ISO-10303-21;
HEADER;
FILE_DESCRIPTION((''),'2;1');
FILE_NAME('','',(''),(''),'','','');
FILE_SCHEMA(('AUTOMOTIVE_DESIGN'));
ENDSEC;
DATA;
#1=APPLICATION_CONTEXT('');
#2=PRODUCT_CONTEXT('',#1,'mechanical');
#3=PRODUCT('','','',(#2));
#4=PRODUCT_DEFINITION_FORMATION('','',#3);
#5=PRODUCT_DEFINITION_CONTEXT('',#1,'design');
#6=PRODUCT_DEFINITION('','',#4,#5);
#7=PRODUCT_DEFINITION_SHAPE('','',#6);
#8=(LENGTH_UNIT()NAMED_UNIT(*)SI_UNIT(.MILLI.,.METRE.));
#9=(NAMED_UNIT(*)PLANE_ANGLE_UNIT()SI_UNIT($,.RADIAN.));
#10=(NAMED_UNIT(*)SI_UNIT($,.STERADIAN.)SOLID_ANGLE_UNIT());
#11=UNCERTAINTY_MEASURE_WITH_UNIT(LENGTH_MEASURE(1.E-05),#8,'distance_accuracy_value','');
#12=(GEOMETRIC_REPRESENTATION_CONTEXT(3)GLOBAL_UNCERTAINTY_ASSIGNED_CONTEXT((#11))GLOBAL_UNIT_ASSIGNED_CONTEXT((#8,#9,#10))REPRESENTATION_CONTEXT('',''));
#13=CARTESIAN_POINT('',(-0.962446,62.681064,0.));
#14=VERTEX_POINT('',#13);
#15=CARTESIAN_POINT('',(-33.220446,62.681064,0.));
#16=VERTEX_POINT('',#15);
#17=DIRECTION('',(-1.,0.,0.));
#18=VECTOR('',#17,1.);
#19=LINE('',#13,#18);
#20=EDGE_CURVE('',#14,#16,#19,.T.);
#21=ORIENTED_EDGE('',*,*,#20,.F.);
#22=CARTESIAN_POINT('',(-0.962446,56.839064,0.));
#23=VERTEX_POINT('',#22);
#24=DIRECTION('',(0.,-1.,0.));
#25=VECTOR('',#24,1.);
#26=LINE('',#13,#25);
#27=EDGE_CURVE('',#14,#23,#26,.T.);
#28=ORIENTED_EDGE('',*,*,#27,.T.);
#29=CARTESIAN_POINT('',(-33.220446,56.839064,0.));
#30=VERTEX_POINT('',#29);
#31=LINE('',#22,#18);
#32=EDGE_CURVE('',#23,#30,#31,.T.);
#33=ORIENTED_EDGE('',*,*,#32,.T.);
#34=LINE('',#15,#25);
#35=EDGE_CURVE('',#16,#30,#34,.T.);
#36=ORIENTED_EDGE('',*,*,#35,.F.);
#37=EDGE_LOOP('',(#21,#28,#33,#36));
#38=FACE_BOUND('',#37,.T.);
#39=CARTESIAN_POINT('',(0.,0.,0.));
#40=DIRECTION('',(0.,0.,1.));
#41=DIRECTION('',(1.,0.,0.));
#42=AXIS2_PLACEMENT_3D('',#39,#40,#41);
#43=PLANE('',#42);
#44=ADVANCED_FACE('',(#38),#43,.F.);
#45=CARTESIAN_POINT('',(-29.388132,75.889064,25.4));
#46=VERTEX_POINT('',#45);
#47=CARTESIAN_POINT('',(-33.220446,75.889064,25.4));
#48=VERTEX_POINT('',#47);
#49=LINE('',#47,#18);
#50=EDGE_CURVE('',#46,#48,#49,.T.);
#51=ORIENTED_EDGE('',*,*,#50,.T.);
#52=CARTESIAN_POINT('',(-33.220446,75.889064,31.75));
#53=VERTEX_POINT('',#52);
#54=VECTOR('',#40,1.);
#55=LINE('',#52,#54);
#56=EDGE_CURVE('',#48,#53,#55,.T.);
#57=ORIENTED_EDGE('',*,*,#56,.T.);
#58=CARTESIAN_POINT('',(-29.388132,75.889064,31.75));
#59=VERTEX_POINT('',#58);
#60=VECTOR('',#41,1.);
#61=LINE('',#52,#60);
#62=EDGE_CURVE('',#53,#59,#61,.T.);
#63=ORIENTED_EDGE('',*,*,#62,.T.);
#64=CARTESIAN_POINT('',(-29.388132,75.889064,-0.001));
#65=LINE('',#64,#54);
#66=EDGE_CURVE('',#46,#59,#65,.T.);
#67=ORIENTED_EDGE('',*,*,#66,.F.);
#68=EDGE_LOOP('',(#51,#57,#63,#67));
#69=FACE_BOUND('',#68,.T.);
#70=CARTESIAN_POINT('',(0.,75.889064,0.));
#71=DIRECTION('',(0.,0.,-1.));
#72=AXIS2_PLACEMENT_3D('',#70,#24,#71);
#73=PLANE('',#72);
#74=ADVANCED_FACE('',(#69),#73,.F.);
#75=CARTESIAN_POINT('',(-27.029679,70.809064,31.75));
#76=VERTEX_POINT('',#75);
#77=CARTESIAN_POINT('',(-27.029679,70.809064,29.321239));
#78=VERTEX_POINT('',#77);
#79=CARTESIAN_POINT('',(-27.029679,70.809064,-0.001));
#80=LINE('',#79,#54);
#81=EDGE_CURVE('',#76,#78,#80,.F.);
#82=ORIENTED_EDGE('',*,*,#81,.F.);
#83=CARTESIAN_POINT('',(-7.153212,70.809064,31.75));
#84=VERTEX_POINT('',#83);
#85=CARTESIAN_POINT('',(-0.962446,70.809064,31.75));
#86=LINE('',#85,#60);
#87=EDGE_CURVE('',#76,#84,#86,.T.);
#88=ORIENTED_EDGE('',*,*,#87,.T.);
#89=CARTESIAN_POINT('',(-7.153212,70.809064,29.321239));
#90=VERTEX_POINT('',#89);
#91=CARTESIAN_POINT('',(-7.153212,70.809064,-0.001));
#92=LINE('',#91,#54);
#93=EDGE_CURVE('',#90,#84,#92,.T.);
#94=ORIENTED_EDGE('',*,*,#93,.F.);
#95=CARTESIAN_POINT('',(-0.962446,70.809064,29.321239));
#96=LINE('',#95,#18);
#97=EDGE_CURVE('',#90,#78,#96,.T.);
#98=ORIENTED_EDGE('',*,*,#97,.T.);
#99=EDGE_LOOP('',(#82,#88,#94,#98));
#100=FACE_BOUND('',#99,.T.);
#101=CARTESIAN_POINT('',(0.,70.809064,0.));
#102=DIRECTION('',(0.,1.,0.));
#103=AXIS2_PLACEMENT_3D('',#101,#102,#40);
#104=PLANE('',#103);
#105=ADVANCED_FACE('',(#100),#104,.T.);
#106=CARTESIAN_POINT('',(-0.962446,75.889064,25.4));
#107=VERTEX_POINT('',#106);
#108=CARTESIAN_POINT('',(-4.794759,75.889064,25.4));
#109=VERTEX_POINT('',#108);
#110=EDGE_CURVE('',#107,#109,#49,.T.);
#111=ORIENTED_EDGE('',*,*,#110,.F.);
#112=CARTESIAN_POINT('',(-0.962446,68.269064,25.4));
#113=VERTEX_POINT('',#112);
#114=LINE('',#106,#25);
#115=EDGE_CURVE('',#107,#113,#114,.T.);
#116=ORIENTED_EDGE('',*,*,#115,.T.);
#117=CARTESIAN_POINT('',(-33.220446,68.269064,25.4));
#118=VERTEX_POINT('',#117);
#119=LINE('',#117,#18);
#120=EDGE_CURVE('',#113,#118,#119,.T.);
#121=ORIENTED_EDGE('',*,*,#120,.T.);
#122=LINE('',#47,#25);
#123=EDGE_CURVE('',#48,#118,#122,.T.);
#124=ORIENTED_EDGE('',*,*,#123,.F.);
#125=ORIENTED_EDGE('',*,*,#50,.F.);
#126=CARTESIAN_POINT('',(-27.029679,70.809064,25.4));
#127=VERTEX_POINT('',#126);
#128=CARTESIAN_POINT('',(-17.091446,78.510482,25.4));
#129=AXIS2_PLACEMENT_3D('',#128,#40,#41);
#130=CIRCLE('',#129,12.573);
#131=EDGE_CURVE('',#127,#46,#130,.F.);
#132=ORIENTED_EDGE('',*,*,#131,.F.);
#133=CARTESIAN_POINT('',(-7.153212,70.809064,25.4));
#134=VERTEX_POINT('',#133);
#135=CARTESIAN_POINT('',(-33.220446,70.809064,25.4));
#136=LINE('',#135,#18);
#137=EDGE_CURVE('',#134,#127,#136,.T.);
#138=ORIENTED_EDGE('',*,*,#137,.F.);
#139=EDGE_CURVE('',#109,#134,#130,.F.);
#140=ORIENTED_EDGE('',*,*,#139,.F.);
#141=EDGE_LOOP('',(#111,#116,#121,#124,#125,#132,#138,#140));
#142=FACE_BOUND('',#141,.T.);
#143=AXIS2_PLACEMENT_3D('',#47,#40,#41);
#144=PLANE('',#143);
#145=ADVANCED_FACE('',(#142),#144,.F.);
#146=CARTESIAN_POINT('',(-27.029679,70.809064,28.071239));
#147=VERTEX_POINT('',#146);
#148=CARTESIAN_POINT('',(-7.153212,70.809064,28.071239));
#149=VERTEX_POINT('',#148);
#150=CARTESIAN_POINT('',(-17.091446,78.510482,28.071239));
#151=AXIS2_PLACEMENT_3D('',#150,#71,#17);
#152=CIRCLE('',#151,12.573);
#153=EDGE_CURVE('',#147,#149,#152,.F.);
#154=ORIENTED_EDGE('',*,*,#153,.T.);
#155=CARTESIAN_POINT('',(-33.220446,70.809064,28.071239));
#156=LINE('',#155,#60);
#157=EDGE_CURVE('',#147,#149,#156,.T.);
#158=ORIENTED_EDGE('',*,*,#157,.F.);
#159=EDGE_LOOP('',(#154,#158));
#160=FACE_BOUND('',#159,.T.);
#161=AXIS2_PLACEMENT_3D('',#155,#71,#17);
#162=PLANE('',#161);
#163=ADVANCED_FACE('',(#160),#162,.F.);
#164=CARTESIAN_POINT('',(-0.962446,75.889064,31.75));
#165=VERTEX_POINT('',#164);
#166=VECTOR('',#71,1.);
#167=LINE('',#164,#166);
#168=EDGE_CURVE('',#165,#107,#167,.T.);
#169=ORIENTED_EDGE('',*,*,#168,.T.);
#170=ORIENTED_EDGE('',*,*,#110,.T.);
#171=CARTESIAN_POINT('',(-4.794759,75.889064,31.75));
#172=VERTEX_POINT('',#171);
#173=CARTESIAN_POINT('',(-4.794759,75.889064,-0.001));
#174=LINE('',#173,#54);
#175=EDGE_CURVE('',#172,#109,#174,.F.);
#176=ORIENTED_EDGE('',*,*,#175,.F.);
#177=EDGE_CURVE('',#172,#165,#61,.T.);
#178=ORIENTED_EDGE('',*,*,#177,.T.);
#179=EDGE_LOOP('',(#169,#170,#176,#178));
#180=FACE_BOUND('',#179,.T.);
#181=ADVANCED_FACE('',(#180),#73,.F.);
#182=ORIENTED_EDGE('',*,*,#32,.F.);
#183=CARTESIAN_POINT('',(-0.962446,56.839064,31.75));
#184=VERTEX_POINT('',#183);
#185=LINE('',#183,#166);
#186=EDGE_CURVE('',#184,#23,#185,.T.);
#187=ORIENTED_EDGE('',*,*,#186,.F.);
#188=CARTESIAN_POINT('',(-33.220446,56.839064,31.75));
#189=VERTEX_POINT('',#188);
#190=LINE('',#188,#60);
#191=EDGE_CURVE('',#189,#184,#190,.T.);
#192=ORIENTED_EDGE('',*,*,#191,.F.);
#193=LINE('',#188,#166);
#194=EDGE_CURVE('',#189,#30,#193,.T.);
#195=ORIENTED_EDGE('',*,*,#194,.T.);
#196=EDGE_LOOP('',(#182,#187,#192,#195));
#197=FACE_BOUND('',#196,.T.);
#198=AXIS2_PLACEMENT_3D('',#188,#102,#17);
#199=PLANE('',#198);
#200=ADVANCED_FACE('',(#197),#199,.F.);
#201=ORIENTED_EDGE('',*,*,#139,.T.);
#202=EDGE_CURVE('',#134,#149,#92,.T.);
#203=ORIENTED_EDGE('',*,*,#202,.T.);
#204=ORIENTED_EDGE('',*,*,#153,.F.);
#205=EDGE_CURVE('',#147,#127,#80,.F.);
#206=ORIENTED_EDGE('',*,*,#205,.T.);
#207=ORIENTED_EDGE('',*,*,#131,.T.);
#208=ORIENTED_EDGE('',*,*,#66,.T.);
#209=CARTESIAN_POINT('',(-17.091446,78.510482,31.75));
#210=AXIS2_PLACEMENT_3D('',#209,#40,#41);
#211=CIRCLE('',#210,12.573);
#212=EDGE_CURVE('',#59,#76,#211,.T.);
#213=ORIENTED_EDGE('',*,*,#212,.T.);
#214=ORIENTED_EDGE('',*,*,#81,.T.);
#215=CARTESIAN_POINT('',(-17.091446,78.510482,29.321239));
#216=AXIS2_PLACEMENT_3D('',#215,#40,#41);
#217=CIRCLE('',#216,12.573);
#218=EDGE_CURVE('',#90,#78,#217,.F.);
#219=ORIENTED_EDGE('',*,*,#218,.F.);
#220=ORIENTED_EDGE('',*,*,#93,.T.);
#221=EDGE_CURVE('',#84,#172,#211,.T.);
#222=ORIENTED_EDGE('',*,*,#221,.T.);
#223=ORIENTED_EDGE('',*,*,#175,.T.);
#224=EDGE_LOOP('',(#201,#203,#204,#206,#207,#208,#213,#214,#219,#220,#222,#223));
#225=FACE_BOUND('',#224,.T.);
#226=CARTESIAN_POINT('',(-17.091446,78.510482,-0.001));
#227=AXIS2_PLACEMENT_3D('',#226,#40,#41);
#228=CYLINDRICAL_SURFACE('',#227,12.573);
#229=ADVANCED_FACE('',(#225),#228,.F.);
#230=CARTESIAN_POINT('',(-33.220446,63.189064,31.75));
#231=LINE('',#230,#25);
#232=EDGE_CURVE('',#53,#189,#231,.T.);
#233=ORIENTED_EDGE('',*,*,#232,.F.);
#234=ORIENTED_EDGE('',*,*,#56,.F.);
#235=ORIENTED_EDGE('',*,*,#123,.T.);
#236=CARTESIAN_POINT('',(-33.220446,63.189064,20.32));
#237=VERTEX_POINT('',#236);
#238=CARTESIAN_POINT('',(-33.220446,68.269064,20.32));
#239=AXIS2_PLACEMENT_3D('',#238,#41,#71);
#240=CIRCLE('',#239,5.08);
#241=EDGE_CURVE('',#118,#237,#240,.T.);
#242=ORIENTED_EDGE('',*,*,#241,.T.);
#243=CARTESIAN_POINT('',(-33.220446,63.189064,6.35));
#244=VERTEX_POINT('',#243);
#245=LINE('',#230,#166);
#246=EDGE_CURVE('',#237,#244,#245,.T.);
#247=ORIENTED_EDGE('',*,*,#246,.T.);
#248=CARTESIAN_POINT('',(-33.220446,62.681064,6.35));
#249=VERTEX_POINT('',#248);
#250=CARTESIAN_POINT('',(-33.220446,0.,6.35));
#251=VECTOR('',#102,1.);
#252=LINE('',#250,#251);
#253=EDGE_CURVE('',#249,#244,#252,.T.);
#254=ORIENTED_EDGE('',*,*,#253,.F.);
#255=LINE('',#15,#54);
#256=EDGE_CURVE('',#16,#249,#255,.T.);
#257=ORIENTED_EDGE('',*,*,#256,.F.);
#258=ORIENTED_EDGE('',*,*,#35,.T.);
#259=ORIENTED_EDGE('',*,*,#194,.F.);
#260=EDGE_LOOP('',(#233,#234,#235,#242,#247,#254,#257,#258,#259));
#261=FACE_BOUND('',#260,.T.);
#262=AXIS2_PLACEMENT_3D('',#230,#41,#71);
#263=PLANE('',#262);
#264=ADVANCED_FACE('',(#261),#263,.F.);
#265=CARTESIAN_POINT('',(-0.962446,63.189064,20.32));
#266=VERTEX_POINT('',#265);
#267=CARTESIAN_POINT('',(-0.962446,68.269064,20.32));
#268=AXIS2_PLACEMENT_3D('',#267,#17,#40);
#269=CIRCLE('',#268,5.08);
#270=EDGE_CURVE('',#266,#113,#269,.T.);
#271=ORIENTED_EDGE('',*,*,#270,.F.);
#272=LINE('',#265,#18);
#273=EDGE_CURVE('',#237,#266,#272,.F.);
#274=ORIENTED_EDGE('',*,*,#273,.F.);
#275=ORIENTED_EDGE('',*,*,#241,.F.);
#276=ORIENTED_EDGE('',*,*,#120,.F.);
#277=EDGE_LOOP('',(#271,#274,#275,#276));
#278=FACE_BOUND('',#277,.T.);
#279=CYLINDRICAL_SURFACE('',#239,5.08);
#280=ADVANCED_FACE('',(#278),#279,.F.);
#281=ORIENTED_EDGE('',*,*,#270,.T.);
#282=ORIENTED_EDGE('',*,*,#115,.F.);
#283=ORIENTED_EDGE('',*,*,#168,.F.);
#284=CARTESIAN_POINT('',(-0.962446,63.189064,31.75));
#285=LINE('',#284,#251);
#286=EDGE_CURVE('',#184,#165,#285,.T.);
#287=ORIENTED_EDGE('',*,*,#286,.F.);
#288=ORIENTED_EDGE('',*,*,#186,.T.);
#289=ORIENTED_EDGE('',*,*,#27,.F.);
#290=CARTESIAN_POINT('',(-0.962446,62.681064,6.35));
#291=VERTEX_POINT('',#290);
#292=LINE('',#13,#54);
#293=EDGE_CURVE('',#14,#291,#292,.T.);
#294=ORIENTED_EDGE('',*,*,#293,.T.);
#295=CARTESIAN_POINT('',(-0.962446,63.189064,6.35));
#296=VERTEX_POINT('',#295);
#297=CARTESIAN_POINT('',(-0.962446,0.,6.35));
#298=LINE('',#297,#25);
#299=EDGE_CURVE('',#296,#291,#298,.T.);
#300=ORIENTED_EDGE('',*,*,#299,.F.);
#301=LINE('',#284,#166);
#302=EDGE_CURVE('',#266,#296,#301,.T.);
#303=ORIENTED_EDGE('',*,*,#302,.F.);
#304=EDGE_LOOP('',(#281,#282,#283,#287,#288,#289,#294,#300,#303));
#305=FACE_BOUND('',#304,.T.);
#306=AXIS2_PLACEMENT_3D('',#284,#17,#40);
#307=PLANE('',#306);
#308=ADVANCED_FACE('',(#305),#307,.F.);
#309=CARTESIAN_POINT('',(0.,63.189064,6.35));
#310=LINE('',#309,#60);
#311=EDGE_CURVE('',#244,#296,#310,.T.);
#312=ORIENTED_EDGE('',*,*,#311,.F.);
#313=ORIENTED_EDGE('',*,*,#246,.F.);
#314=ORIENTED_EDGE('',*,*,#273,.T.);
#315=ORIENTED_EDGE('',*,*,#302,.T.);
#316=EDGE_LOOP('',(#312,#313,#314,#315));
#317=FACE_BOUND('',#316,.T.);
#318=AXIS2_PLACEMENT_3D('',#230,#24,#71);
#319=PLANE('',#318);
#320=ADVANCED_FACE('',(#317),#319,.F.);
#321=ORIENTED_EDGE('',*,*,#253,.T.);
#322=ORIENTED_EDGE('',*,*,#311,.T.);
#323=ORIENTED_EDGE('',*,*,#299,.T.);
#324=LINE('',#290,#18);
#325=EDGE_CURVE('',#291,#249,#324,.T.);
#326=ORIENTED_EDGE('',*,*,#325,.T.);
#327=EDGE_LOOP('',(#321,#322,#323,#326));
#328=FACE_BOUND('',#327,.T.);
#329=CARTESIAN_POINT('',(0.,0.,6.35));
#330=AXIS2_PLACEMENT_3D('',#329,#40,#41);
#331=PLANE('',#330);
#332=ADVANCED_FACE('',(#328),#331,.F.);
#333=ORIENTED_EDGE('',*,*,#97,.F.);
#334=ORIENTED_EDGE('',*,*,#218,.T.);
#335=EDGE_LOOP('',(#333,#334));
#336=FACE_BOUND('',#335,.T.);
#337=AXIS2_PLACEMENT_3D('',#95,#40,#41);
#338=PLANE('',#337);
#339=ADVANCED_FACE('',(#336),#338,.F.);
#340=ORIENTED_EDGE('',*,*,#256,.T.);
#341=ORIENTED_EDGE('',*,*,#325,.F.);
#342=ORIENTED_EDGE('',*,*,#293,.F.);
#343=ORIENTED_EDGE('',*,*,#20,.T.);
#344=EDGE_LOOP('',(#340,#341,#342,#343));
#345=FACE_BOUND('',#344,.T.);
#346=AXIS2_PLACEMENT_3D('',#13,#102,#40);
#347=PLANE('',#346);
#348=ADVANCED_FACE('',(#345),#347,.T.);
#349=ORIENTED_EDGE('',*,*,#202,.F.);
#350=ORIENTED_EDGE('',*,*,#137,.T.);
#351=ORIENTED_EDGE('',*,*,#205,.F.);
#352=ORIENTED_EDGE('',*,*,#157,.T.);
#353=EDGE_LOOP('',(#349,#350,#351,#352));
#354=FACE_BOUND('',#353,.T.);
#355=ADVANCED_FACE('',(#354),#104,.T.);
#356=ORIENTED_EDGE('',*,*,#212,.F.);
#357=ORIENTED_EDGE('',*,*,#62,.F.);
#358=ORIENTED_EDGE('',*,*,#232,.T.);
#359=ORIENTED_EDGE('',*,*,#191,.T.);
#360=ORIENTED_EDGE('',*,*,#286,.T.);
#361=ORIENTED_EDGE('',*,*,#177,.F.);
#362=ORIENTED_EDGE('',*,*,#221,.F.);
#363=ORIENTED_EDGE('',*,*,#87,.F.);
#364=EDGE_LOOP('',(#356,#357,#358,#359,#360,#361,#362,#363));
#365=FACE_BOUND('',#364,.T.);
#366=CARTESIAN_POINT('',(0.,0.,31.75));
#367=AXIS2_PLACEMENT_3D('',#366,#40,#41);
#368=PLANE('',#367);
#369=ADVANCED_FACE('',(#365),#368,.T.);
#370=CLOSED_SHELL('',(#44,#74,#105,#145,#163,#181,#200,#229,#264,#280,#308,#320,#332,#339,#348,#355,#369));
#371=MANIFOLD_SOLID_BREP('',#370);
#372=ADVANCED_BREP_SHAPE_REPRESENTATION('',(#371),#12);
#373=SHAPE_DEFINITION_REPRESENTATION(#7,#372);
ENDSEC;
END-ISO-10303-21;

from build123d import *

# Parameters (mm, degrees)
SKETCH1_W           = 53.34
SKETCH1_H           = 152.4
SKETCH1_R           = 1
BOSS_EXTRUDE1_DEPTH = 6.35
SKETCH2_W           = 32.258
SKETCH2_H           = 6.35
BOSS_EXTRUDE2_DEPTH = 31.75
SKETCH3_W           = 32.258
SKETCH3_H           = 6.35
BOSS_EXTRUDE3_DEPTH = 12.7
CUT_EXTRUDE1_REACH  = 136.322
SKETCH4_R           = 12.573
SKETCH5_W           = 32.258
SKETCH5_H           = 2.671239047
SKETCH5_H_2         = 2.428760953
BOSS_EXTRUDE4_DEPTH = 7.62
FILLET1_R           = 5.08
SKETCH8_W           = 53.34
SKETCH8_H           = 152.4
CUT_EXTRUDE4_DEPTH  = 133.964296911
SKETCH9_W           = 32.258
SKETCH9_H           = 5.842
BOSS_EXTRUDE6_DEPTH = 6.35


with BuildPart() as part:
    # Sketch1 → Boss-Extrude1 (new body)
    with BuildSketch(Plane.XY):
        with Locations((-17.091445783, 46.760481928)):
            Rectangle(SKETCH1_W, SKETCH1_H)
        with Locations((-36.141445783, 69.620481928)):
            Circle(SKETCH1_R, mode=Mode.SUBTRACT)
        with Locations((-8.201445783, 69.620481928)):
            Circle(SKETCH1_R, mode=Mode.SUBTRACT)
        with Locations((-41.221445783, 121.690481928)):
            Circle(SKETCH1_R, mode=Mode.SUBTRACT)
        with Locations((7.038554217, 120.420481928)):
            Circle(SKETCH1_R, mode=Mode.SUBTRACT)
    extrude(amount=BOSS_EXTRUDE1_DEPTH)

    # Sketch2 → Boss-Extrude2 (add)
    with BuildSketch(Plane.XY):
        with Locations((-17.091445783, 60.014063864)):
            Rectangle(SKETCH2_W, SKETCH2_H)
    extrude(amount=BOSS_EXTRUDE2_DEPTH)

    # Sketch3 → Boss-Extrude3 (add)
    with BuildSketch(Plane(origin=(0, 63.189063864, 0), x_dir=(1, 0, 0), z_dir=(0, 1, 0))):
        with Locations((-17.091445783, -28.575)):
            Rectangle(SKETCH3_W, SKETCH3_H)
    extrude(amount=BOSS_EXTRUDE3_DEPTH)

    # Sketch4 → Cut-Extrude1 (cut, up to next)
    with BuildSketch(Plane.XY.offset(31.75), mode=Mode.PRIVATE) as cut_extrude1_sk1:
        with Locations((-17.091445783, 78.510481928)):
            Circle(SKETCH4_R)
    cut_extrude1_tool1 = extrude(cut_extrude1_sk1.sketch, amount=-CUT_EXTRUDE1_REACH, mode=Mode.PRIVATE) & part.part
    add(cut_extrude1_tool1.solids().sort_by_distance((-17.091446, 78.510482, 31.75))[0], mode=Mode.SUBTRACT)

    # Sketch5 → Boss-Extrude4 (add)
    with BuildSketch(Plane(origin=(0, 63.189063864, 0), x_dir=(1, 0, 0), z_dir=(0, 1, 0))):
        with Locations((-17.091445783, -26.735619524)):
            Rectangle(SKETCH5_W, SKETCH5_H)
        with Locations((-17.091445783, -30.535619524)):
            Rectangle(SKETCH5_W, SKETCH5_H_2)
    extrude(amount=BOSS_EXTRUDE4_DEPTH)

    # Fillet1
    fillet1_edges = [part.edges().sort_by_distance(p)[0] for p in [
        (-17.091445783, 63.189063864, 25.4),
    ]]
    fillet(fillet1_edges, radius=FILLET1_R)

    # Sketch8 → Cut-Extrude4 (cut, through all)
    with BuildSketch(Plane.XY.offset(6.35)):
        with Locations((-17.091445783, 46.760481928)):
            Rectangle(SKETCH8_W, SKETCH8_H)
    extrude(amount=-CUT_EXTRUDE4_DEPTH, mode=Mode.SUBTRACT)

    # Sketch9 → Boss-Extrude6 (add)
    with BuildSketch(Plane(origin=(0, 0, 6.35), x_dir=(-1, 0, 0), z_dir=(0, 0, -1))):
        with Locations((17.091445783, 59.760063864)):
            Rectangle(SKETCH9_W, SKETCH9_H)
    extrude(amount=BOSS_EXTRUDE6_DEPTH)


solid = part.part
